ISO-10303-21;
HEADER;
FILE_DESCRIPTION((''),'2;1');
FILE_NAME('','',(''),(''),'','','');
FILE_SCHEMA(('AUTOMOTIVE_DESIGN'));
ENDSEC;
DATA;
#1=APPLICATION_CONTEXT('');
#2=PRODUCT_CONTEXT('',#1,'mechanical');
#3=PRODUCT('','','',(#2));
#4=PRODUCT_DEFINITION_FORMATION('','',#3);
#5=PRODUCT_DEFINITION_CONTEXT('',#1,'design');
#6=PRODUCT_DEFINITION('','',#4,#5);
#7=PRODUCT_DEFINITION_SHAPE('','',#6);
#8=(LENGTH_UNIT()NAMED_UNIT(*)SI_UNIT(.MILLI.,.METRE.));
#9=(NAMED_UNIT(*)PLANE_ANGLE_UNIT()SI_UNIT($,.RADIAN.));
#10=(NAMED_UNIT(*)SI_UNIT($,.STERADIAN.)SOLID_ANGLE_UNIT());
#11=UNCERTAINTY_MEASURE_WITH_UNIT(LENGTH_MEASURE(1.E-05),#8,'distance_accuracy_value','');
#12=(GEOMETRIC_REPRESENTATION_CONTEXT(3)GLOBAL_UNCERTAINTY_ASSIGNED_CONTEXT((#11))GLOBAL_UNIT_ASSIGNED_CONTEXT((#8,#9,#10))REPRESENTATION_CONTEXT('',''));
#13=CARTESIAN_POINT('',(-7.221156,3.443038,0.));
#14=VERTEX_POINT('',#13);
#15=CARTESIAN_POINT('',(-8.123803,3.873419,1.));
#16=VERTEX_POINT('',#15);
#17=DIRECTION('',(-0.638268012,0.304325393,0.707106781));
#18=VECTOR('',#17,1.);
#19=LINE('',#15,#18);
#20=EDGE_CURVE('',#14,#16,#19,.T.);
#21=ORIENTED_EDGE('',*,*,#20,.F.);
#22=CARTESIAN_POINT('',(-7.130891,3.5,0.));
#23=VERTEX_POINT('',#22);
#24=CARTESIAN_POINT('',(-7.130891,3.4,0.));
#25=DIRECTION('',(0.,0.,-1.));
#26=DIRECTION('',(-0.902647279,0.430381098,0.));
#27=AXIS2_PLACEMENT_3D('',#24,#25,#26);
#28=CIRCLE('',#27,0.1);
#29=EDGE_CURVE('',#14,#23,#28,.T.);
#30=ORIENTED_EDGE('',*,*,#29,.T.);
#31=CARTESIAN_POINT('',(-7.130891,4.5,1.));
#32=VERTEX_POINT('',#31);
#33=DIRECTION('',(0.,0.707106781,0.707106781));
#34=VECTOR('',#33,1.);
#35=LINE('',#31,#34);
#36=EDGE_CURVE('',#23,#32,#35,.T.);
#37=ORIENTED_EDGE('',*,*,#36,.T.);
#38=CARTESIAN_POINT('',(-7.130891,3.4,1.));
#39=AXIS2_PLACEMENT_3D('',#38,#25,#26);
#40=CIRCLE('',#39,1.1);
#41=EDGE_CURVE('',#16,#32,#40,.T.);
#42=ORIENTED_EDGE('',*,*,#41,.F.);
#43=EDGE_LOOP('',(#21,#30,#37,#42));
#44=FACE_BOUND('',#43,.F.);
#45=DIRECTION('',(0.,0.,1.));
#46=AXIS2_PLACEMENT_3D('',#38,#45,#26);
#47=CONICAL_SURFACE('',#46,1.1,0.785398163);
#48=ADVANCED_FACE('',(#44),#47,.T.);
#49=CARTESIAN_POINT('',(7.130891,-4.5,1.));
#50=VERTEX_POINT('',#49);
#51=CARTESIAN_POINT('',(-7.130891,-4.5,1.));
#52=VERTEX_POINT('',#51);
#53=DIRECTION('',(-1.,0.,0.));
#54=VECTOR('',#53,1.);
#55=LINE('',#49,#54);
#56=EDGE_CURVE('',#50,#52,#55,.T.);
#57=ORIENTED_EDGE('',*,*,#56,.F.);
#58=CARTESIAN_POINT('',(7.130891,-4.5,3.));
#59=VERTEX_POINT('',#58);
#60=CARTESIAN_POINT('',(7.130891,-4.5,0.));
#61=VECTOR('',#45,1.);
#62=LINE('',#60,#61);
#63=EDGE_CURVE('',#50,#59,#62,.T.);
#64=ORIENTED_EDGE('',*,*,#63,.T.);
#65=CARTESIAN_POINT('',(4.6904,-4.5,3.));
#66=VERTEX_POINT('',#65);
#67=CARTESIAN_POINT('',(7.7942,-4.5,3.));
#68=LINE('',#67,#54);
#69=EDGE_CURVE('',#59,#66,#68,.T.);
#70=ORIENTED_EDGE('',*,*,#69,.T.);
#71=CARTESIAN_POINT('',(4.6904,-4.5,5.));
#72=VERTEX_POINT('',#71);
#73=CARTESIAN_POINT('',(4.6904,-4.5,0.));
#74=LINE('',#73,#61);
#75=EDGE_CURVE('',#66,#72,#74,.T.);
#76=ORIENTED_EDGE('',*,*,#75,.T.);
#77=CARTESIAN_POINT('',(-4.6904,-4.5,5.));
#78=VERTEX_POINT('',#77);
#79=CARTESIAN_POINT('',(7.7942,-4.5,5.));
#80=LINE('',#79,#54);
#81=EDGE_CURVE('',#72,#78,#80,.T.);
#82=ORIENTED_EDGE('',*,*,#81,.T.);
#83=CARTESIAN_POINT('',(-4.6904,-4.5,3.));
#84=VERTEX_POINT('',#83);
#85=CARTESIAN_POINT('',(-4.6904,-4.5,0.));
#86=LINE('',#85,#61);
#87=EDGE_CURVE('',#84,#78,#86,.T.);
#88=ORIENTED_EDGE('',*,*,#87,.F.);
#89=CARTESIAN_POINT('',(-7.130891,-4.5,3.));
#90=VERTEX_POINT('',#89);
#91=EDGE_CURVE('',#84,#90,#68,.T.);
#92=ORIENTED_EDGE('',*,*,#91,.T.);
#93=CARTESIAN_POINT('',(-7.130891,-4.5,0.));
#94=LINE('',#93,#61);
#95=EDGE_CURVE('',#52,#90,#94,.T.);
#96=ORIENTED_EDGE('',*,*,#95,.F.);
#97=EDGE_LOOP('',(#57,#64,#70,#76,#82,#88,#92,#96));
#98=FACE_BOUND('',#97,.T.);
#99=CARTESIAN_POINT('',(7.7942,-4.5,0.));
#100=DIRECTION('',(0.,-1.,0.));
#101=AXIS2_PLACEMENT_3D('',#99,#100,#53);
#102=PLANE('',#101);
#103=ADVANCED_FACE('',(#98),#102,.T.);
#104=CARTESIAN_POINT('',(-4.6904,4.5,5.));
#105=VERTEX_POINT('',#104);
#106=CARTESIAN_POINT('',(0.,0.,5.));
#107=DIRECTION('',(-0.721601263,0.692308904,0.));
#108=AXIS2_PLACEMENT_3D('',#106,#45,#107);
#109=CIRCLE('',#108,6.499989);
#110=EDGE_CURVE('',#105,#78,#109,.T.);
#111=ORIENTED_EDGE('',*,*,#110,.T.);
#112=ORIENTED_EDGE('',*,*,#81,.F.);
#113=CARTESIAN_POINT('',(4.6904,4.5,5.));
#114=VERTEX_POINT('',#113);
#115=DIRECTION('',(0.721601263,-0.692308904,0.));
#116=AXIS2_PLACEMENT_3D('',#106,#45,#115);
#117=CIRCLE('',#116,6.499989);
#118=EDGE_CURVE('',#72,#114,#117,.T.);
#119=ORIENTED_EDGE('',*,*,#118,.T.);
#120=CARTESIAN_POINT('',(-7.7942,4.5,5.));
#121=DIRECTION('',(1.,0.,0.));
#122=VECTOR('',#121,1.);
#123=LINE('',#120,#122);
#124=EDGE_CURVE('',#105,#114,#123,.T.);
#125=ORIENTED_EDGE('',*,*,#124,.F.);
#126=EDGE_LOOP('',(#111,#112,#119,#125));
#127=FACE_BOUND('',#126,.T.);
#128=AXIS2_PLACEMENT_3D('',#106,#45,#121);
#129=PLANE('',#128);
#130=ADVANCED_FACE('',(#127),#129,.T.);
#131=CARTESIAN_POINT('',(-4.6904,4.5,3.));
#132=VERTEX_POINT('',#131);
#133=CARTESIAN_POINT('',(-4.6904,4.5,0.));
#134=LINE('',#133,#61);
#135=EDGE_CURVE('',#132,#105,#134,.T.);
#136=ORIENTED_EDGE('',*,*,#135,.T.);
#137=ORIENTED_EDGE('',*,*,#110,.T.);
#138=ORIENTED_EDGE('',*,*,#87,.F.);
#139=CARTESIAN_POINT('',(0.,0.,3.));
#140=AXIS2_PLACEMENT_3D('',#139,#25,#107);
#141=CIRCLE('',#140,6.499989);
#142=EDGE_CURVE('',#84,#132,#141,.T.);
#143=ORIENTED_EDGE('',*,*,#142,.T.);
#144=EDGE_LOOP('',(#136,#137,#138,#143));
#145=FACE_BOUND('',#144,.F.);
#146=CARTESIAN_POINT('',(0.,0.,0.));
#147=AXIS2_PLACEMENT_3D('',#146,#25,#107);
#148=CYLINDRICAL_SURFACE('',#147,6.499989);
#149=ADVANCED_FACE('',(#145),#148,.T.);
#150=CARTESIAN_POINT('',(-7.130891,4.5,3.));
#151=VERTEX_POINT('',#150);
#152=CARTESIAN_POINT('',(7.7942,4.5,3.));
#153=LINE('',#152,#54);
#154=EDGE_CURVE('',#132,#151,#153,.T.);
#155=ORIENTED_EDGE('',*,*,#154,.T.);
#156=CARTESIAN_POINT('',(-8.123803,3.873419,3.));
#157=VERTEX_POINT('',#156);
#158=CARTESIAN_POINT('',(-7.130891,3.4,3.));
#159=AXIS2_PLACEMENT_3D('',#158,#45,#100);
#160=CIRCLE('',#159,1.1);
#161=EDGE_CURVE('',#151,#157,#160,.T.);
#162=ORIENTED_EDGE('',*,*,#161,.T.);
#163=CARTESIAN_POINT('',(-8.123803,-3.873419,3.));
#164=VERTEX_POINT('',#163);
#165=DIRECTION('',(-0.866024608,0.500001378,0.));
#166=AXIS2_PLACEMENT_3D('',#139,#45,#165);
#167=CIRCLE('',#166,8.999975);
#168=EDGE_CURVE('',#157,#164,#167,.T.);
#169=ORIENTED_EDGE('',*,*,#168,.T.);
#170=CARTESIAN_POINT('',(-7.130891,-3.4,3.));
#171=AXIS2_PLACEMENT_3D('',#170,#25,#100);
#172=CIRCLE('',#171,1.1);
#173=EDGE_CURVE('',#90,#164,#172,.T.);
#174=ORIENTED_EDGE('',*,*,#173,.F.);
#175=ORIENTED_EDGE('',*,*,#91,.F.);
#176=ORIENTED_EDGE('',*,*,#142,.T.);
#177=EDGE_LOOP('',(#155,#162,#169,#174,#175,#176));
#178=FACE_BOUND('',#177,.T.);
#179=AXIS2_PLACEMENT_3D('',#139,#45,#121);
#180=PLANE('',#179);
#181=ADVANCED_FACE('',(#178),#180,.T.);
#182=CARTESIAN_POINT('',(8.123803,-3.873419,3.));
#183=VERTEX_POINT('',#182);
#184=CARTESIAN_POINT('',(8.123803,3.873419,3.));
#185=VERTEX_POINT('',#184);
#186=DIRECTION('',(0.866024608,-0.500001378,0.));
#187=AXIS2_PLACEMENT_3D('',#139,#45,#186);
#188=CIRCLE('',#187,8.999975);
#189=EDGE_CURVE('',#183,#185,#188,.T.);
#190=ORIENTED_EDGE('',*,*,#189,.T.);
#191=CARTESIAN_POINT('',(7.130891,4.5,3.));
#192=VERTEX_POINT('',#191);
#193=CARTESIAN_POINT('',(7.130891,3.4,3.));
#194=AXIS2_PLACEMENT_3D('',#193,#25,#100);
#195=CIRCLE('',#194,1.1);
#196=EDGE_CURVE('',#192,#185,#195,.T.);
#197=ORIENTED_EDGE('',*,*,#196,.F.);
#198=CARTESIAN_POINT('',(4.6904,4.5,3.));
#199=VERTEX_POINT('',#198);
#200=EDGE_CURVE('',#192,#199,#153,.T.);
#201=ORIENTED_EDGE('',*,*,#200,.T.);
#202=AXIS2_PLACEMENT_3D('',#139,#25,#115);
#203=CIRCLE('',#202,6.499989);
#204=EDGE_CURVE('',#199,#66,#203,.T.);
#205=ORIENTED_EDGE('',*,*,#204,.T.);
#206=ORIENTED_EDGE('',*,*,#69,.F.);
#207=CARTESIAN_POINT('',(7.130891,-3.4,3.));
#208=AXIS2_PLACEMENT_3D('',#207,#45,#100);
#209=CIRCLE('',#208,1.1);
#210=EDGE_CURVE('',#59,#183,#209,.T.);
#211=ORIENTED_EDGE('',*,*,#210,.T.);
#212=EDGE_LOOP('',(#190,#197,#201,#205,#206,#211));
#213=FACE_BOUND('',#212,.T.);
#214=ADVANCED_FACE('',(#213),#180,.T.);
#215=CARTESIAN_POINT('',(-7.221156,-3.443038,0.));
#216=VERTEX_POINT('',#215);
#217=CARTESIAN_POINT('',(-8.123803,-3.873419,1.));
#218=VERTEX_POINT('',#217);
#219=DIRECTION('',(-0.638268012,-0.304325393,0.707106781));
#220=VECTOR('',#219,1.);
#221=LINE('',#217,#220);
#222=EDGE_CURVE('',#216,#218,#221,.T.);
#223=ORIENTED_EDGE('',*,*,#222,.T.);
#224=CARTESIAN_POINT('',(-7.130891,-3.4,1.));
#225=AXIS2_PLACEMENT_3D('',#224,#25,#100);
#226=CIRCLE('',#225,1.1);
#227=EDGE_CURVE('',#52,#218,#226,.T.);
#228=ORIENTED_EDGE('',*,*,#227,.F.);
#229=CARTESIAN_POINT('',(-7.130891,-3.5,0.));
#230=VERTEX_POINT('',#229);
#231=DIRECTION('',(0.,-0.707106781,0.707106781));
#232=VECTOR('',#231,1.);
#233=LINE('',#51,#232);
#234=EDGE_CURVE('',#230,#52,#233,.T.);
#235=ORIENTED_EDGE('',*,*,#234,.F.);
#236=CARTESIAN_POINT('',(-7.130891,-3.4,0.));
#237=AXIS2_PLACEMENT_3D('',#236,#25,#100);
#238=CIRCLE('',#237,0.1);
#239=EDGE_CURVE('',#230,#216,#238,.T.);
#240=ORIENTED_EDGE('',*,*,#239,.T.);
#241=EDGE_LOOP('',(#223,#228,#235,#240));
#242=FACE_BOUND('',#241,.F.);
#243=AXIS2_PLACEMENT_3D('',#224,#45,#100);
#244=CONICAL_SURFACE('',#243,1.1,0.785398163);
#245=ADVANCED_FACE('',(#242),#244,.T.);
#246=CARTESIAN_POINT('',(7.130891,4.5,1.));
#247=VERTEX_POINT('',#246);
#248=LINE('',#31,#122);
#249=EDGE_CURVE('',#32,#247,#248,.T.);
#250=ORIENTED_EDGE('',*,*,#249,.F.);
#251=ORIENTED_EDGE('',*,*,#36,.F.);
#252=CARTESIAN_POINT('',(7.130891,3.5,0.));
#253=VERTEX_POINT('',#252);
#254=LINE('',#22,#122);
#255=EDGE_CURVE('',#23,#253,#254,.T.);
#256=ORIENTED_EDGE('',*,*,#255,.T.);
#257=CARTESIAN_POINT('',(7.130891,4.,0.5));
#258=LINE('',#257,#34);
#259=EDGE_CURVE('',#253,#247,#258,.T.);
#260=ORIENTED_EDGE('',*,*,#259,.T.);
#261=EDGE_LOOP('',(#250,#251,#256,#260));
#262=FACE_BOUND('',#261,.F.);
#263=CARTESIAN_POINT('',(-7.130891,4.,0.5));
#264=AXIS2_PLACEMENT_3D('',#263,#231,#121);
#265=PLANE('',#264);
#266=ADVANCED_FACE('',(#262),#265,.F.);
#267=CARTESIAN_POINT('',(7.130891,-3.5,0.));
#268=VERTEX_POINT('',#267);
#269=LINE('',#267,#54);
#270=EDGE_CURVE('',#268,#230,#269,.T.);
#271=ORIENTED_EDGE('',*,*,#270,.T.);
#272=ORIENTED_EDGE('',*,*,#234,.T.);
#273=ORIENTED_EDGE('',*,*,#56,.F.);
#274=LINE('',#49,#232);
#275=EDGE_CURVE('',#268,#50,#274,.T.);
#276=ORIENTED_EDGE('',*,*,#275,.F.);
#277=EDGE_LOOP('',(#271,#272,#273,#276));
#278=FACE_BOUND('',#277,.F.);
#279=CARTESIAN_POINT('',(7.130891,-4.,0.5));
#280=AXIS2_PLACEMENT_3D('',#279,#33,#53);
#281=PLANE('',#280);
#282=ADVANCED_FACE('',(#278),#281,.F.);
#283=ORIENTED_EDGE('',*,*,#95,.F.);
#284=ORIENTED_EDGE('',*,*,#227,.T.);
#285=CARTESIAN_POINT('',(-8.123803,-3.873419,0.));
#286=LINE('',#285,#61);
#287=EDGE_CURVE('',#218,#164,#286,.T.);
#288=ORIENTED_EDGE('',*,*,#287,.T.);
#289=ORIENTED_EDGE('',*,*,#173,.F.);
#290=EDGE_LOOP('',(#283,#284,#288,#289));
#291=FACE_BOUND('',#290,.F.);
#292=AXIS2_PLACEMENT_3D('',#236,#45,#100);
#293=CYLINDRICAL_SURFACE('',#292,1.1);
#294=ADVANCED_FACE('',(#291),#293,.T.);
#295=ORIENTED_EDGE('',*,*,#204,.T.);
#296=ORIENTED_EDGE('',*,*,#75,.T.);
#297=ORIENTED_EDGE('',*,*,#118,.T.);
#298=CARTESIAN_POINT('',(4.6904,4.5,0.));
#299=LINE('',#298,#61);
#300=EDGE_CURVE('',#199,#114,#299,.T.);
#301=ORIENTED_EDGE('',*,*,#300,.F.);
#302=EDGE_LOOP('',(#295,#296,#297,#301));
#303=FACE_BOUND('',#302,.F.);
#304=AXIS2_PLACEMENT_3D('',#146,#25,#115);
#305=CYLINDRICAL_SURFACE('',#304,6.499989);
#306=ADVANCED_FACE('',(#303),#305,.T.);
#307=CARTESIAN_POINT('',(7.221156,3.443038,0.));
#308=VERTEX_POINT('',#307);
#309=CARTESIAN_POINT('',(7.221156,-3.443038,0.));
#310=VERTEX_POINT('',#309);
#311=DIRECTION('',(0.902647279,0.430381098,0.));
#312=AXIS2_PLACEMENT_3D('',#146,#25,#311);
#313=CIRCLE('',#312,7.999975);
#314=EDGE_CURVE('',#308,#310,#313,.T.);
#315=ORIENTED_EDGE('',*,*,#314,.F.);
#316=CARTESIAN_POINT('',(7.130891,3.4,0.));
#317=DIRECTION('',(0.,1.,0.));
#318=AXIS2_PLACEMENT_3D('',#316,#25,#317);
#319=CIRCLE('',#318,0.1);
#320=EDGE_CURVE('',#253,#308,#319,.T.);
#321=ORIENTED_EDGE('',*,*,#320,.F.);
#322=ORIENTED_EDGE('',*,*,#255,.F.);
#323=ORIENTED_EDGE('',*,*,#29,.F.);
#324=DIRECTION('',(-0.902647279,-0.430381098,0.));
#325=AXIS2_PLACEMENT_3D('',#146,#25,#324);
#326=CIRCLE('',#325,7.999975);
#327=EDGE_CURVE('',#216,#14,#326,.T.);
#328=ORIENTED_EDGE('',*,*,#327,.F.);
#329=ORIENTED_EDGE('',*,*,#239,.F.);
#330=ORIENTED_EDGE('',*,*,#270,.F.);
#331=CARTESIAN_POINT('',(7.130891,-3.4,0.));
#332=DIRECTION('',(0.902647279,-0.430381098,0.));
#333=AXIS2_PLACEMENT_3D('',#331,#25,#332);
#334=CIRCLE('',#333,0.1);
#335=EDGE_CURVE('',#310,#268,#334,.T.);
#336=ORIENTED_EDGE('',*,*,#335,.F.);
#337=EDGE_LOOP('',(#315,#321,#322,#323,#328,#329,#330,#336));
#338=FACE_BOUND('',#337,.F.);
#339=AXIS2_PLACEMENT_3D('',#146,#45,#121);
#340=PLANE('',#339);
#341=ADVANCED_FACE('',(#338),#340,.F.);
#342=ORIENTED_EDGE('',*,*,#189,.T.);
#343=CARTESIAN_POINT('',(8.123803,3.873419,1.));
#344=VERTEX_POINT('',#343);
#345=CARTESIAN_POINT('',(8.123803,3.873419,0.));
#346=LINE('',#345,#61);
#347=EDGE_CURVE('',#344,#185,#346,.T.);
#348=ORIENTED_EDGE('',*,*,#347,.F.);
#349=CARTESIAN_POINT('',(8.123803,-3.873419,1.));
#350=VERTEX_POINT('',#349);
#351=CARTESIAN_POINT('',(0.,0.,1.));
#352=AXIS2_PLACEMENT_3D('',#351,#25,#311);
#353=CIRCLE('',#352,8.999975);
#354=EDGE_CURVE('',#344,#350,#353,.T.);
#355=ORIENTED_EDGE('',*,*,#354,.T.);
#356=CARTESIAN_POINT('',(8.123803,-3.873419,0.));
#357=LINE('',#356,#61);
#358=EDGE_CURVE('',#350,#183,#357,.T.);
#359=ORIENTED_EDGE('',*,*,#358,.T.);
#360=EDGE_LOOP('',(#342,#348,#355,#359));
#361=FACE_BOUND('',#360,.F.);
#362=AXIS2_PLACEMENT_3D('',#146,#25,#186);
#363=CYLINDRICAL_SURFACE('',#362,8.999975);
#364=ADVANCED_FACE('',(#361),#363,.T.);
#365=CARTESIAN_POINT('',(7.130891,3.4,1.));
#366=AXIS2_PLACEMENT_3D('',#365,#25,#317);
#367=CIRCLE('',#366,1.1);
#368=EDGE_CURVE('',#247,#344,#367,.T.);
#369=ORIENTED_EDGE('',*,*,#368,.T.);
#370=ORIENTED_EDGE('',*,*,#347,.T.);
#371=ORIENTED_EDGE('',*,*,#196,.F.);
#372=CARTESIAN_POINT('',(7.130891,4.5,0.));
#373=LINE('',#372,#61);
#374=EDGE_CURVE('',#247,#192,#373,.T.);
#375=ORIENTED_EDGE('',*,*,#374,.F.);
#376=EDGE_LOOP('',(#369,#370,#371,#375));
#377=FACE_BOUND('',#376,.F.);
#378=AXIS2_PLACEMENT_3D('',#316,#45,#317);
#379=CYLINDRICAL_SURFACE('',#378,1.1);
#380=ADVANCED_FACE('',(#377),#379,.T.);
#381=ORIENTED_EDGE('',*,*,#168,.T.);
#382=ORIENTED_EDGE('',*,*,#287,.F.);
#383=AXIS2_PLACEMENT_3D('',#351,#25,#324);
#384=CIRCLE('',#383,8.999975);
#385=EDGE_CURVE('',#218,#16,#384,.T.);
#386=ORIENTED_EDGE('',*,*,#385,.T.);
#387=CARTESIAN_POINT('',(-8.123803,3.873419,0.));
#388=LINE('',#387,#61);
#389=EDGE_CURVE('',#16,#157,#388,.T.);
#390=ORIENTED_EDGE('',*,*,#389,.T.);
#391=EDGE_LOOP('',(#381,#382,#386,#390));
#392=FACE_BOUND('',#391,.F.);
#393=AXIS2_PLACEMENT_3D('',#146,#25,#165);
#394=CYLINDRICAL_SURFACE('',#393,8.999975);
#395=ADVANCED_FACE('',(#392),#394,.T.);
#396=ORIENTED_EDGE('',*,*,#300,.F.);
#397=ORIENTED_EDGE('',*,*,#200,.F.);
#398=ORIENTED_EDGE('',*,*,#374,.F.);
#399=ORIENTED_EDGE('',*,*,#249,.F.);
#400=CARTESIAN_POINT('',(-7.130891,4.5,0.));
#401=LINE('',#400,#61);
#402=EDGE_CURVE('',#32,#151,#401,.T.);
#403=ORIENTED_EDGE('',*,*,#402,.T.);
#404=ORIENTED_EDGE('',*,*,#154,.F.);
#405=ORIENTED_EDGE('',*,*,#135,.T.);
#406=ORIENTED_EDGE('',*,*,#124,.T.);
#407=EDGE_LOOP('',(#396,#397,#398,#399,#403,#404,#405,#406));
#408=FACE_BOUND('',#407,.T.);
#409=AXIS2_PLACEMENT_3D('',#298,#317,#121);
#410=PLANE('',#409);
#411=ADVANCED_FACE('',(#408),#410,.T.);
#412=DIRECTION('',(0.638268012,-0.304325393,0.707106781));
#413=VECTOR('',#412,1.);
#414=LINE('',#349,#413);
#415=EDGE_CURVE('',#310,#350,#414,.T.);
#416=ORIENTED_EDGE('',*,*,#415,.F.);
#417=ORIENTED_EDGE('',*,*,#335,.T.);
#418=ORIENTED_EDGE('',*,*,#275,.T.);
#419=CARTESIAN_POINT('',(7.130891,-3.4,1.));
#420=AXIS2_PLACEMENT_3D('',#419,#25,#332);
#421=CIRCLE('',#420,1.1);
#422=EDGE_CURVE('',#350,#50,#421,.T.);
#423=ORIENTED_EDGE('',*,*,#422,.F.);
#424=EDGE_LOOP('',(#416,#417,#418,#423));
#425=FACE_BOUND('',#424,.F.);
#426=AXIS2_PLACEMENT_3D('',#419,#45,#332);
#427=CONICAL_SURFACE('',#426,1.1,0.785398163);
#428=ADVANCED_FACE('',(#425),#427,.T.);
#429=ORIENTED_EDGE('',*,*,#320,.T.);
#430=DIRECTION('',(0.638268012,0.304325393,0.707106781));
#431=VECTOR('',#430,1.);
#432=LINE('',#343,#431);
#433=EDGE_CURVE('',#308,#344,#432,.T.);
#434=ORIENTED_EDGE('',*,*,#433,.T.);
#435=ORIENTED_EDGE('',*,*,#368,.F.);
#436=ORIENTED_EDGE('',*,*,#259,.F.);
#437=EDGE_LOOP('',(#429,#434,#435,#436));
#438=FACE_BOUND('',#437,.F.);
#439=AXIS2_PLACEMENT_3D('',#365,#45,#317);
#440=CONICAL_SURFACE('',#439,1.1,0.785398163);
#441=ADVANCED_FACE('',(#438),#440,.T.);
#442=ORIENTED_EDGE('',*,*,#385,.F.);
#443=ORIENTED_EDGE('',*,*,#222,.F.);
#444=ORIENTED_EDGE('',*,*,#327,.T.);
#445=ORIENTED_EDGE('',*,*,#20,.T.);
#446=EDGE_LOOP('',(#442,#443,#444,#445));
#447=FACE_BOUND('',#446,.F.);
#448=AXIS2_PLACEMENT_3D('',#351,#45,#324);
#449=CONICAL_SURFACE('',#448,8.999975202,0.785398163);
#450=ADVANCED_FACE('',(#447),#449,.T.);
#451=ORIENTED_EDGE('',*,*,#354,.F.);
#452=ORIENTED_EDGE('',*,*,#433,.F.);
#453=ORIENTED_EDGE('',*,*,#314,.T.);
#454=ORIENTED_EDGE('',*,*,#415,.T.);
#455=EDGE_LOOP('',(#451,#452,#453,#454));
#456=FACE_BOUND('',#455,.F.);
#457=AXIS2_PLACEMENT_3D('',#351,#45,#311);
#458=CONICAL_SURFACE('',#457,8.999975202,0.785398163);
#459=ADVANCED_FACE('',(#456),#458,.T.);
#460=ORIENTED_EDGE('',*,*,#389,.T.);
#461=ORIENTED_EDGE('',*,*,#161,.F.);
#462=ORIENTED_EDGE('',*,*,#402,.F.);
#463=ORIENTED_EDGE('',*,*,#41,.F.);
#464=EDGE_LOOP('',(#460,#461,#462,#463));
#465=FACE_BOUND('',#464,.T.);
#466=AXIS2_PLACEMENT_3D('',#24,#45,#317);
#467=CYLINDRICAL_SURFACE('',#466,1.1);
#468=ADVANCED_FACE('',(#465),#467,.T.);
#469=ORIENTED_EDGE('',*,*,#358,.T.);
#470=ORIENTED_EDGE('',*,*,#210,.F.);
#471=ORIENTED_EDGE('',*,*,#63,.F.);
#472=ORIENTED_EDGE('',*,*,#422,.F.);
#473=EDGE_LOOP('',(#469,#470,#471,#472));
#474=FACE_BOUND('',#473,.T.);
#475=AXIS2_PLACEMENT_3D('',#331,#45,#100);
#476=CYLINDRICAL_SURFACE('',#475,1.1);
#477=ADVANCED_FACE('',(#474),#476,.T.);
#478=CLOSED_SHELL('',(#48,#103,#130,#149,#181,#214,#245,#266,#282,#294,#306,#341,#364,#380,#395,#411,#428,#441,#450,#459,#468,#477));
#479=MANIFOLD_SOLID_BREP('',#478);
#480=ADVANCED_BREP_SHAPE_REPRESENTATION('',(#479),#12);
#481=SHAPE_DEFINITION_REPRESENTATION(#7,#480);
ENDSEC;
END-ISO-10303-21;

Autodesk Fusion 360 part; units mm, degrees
sketch "Twist-Lock2 lock" plane through (0, 0, 0) normal (0, 0, 1) x (1, 0, 0)
  line L0 (7.7942, -4.5) -> (-7.7942, -4.5)
  line L1 (-7.7942, 4.5) -> (7.7942, 4.5)
  arc A0 (-7.7942, 4.5) -> (-7.7942, -4.5) centre (0, 0) ccw
  arc A1 (7.7942, -4.5) -> (7.7942, 4.5) centre (0, 0) ccw
  arc A2 (-4.6904, 4.5) -> (-4.6904, -4.5) centre (0, 0) ccw
  arc A3 (4.6904, -4.5) -> (4.6904, 4.5) centre (0, 0) ccw
sketch "Twist-Lock2 hole" plane through (0, 0, 0) normal (0, 0, 1) x (1, 0, 0)
  arc A0 (-8.093, 3.9375) -> (-8.093, -3.9375) centre (0, 0) ccw
  arc A1 (8.093, -3.9375) -> (8.093, 3.9375) centre (0, 0) ccw
  arc A2 (4.4192, 4.7667) -> (-4.4192, 4.7667) centre (0, 0) ccw
  arc A3 (-4.4192, -4.7667) -> (4.4192, -4.7667) centre (0, 0) ccw
  line L0 (7.1937, 4.5) -> (5.099, 4.5)
  line L1 (-5.099, 4.5) -> (-7.1937, 4.5)
  line L2 (-7.1937, -4.5) -> (-5.099, -4.5)
  line L3 (5.099, -4.5) -> (7.1937, -4.5)
  arc A4 (-5.099, 4.5) -> (-4.4192, 4.7667) centre (-5.099, 5.5) ccw
  arc A5 (-7.1937, 4.5) -> (-8.093, 3.9375) centre (-7.1937, 3.5) ccw
  arc A6 (-8.093, -3.9375) -> (-7.1937, -4.5) centre (-7.1937, -3.5) ccw
  arc A7 (-4.4192, -4.7667) -> (-5.099, -4.5) centre (-5.099, -5.5) ccw
  arc A8 (5.099, -4.5) -> (4.4192, -4.7667) centre (5.099, -5.5) ccw
  arc A9 (7.1937, -4.5) -> (8.093, -3.9375) centre (7.1937, -3.5) ccw
  arc A10 (8.093, 3.9375) -> (7.1937, 4.5) centre (7.1937, 3.5) ccw
  arc A11 (4.4192, 4.7667) -> (5.099, 4.5) centre (5.099, 5.5) ccw
  dimension "d26" = 1
extrude "Extrude1" add sketch "Twist-Lock2 lock" along normal blind 3
extrude "Extrude2" add sketch "Twist-Lock2 lock" along normal blind 5 contours L0 L1 A2 A3
fillet "Fillet1" radius 1.1 4 edges at (7.7942, -4.5, 1.5) (-7.7942, -4.5, 1.5) (-7.7942, 4.5, 1.5) (7.7942, 4.5, 1.5)
chamfer "Chamfer1" distance 1 angle 45 8 edges at (-7.718, -4.3303, 0) (-9, 0, 0) (-7.718, 4.3303, 0) (0, 4.5, 0) (7.718, 4.3303, 0) (9, 0, 0) (7.718, -4.3303, 0) (0, -4.5, 0)
equation "Plate_thickness = 2 mm"
equation "Lock_thickness = 3 mm"
equation "d7 = Lock_thickness"
equation "d9 = Lock_thickness + Plate_thickness"
